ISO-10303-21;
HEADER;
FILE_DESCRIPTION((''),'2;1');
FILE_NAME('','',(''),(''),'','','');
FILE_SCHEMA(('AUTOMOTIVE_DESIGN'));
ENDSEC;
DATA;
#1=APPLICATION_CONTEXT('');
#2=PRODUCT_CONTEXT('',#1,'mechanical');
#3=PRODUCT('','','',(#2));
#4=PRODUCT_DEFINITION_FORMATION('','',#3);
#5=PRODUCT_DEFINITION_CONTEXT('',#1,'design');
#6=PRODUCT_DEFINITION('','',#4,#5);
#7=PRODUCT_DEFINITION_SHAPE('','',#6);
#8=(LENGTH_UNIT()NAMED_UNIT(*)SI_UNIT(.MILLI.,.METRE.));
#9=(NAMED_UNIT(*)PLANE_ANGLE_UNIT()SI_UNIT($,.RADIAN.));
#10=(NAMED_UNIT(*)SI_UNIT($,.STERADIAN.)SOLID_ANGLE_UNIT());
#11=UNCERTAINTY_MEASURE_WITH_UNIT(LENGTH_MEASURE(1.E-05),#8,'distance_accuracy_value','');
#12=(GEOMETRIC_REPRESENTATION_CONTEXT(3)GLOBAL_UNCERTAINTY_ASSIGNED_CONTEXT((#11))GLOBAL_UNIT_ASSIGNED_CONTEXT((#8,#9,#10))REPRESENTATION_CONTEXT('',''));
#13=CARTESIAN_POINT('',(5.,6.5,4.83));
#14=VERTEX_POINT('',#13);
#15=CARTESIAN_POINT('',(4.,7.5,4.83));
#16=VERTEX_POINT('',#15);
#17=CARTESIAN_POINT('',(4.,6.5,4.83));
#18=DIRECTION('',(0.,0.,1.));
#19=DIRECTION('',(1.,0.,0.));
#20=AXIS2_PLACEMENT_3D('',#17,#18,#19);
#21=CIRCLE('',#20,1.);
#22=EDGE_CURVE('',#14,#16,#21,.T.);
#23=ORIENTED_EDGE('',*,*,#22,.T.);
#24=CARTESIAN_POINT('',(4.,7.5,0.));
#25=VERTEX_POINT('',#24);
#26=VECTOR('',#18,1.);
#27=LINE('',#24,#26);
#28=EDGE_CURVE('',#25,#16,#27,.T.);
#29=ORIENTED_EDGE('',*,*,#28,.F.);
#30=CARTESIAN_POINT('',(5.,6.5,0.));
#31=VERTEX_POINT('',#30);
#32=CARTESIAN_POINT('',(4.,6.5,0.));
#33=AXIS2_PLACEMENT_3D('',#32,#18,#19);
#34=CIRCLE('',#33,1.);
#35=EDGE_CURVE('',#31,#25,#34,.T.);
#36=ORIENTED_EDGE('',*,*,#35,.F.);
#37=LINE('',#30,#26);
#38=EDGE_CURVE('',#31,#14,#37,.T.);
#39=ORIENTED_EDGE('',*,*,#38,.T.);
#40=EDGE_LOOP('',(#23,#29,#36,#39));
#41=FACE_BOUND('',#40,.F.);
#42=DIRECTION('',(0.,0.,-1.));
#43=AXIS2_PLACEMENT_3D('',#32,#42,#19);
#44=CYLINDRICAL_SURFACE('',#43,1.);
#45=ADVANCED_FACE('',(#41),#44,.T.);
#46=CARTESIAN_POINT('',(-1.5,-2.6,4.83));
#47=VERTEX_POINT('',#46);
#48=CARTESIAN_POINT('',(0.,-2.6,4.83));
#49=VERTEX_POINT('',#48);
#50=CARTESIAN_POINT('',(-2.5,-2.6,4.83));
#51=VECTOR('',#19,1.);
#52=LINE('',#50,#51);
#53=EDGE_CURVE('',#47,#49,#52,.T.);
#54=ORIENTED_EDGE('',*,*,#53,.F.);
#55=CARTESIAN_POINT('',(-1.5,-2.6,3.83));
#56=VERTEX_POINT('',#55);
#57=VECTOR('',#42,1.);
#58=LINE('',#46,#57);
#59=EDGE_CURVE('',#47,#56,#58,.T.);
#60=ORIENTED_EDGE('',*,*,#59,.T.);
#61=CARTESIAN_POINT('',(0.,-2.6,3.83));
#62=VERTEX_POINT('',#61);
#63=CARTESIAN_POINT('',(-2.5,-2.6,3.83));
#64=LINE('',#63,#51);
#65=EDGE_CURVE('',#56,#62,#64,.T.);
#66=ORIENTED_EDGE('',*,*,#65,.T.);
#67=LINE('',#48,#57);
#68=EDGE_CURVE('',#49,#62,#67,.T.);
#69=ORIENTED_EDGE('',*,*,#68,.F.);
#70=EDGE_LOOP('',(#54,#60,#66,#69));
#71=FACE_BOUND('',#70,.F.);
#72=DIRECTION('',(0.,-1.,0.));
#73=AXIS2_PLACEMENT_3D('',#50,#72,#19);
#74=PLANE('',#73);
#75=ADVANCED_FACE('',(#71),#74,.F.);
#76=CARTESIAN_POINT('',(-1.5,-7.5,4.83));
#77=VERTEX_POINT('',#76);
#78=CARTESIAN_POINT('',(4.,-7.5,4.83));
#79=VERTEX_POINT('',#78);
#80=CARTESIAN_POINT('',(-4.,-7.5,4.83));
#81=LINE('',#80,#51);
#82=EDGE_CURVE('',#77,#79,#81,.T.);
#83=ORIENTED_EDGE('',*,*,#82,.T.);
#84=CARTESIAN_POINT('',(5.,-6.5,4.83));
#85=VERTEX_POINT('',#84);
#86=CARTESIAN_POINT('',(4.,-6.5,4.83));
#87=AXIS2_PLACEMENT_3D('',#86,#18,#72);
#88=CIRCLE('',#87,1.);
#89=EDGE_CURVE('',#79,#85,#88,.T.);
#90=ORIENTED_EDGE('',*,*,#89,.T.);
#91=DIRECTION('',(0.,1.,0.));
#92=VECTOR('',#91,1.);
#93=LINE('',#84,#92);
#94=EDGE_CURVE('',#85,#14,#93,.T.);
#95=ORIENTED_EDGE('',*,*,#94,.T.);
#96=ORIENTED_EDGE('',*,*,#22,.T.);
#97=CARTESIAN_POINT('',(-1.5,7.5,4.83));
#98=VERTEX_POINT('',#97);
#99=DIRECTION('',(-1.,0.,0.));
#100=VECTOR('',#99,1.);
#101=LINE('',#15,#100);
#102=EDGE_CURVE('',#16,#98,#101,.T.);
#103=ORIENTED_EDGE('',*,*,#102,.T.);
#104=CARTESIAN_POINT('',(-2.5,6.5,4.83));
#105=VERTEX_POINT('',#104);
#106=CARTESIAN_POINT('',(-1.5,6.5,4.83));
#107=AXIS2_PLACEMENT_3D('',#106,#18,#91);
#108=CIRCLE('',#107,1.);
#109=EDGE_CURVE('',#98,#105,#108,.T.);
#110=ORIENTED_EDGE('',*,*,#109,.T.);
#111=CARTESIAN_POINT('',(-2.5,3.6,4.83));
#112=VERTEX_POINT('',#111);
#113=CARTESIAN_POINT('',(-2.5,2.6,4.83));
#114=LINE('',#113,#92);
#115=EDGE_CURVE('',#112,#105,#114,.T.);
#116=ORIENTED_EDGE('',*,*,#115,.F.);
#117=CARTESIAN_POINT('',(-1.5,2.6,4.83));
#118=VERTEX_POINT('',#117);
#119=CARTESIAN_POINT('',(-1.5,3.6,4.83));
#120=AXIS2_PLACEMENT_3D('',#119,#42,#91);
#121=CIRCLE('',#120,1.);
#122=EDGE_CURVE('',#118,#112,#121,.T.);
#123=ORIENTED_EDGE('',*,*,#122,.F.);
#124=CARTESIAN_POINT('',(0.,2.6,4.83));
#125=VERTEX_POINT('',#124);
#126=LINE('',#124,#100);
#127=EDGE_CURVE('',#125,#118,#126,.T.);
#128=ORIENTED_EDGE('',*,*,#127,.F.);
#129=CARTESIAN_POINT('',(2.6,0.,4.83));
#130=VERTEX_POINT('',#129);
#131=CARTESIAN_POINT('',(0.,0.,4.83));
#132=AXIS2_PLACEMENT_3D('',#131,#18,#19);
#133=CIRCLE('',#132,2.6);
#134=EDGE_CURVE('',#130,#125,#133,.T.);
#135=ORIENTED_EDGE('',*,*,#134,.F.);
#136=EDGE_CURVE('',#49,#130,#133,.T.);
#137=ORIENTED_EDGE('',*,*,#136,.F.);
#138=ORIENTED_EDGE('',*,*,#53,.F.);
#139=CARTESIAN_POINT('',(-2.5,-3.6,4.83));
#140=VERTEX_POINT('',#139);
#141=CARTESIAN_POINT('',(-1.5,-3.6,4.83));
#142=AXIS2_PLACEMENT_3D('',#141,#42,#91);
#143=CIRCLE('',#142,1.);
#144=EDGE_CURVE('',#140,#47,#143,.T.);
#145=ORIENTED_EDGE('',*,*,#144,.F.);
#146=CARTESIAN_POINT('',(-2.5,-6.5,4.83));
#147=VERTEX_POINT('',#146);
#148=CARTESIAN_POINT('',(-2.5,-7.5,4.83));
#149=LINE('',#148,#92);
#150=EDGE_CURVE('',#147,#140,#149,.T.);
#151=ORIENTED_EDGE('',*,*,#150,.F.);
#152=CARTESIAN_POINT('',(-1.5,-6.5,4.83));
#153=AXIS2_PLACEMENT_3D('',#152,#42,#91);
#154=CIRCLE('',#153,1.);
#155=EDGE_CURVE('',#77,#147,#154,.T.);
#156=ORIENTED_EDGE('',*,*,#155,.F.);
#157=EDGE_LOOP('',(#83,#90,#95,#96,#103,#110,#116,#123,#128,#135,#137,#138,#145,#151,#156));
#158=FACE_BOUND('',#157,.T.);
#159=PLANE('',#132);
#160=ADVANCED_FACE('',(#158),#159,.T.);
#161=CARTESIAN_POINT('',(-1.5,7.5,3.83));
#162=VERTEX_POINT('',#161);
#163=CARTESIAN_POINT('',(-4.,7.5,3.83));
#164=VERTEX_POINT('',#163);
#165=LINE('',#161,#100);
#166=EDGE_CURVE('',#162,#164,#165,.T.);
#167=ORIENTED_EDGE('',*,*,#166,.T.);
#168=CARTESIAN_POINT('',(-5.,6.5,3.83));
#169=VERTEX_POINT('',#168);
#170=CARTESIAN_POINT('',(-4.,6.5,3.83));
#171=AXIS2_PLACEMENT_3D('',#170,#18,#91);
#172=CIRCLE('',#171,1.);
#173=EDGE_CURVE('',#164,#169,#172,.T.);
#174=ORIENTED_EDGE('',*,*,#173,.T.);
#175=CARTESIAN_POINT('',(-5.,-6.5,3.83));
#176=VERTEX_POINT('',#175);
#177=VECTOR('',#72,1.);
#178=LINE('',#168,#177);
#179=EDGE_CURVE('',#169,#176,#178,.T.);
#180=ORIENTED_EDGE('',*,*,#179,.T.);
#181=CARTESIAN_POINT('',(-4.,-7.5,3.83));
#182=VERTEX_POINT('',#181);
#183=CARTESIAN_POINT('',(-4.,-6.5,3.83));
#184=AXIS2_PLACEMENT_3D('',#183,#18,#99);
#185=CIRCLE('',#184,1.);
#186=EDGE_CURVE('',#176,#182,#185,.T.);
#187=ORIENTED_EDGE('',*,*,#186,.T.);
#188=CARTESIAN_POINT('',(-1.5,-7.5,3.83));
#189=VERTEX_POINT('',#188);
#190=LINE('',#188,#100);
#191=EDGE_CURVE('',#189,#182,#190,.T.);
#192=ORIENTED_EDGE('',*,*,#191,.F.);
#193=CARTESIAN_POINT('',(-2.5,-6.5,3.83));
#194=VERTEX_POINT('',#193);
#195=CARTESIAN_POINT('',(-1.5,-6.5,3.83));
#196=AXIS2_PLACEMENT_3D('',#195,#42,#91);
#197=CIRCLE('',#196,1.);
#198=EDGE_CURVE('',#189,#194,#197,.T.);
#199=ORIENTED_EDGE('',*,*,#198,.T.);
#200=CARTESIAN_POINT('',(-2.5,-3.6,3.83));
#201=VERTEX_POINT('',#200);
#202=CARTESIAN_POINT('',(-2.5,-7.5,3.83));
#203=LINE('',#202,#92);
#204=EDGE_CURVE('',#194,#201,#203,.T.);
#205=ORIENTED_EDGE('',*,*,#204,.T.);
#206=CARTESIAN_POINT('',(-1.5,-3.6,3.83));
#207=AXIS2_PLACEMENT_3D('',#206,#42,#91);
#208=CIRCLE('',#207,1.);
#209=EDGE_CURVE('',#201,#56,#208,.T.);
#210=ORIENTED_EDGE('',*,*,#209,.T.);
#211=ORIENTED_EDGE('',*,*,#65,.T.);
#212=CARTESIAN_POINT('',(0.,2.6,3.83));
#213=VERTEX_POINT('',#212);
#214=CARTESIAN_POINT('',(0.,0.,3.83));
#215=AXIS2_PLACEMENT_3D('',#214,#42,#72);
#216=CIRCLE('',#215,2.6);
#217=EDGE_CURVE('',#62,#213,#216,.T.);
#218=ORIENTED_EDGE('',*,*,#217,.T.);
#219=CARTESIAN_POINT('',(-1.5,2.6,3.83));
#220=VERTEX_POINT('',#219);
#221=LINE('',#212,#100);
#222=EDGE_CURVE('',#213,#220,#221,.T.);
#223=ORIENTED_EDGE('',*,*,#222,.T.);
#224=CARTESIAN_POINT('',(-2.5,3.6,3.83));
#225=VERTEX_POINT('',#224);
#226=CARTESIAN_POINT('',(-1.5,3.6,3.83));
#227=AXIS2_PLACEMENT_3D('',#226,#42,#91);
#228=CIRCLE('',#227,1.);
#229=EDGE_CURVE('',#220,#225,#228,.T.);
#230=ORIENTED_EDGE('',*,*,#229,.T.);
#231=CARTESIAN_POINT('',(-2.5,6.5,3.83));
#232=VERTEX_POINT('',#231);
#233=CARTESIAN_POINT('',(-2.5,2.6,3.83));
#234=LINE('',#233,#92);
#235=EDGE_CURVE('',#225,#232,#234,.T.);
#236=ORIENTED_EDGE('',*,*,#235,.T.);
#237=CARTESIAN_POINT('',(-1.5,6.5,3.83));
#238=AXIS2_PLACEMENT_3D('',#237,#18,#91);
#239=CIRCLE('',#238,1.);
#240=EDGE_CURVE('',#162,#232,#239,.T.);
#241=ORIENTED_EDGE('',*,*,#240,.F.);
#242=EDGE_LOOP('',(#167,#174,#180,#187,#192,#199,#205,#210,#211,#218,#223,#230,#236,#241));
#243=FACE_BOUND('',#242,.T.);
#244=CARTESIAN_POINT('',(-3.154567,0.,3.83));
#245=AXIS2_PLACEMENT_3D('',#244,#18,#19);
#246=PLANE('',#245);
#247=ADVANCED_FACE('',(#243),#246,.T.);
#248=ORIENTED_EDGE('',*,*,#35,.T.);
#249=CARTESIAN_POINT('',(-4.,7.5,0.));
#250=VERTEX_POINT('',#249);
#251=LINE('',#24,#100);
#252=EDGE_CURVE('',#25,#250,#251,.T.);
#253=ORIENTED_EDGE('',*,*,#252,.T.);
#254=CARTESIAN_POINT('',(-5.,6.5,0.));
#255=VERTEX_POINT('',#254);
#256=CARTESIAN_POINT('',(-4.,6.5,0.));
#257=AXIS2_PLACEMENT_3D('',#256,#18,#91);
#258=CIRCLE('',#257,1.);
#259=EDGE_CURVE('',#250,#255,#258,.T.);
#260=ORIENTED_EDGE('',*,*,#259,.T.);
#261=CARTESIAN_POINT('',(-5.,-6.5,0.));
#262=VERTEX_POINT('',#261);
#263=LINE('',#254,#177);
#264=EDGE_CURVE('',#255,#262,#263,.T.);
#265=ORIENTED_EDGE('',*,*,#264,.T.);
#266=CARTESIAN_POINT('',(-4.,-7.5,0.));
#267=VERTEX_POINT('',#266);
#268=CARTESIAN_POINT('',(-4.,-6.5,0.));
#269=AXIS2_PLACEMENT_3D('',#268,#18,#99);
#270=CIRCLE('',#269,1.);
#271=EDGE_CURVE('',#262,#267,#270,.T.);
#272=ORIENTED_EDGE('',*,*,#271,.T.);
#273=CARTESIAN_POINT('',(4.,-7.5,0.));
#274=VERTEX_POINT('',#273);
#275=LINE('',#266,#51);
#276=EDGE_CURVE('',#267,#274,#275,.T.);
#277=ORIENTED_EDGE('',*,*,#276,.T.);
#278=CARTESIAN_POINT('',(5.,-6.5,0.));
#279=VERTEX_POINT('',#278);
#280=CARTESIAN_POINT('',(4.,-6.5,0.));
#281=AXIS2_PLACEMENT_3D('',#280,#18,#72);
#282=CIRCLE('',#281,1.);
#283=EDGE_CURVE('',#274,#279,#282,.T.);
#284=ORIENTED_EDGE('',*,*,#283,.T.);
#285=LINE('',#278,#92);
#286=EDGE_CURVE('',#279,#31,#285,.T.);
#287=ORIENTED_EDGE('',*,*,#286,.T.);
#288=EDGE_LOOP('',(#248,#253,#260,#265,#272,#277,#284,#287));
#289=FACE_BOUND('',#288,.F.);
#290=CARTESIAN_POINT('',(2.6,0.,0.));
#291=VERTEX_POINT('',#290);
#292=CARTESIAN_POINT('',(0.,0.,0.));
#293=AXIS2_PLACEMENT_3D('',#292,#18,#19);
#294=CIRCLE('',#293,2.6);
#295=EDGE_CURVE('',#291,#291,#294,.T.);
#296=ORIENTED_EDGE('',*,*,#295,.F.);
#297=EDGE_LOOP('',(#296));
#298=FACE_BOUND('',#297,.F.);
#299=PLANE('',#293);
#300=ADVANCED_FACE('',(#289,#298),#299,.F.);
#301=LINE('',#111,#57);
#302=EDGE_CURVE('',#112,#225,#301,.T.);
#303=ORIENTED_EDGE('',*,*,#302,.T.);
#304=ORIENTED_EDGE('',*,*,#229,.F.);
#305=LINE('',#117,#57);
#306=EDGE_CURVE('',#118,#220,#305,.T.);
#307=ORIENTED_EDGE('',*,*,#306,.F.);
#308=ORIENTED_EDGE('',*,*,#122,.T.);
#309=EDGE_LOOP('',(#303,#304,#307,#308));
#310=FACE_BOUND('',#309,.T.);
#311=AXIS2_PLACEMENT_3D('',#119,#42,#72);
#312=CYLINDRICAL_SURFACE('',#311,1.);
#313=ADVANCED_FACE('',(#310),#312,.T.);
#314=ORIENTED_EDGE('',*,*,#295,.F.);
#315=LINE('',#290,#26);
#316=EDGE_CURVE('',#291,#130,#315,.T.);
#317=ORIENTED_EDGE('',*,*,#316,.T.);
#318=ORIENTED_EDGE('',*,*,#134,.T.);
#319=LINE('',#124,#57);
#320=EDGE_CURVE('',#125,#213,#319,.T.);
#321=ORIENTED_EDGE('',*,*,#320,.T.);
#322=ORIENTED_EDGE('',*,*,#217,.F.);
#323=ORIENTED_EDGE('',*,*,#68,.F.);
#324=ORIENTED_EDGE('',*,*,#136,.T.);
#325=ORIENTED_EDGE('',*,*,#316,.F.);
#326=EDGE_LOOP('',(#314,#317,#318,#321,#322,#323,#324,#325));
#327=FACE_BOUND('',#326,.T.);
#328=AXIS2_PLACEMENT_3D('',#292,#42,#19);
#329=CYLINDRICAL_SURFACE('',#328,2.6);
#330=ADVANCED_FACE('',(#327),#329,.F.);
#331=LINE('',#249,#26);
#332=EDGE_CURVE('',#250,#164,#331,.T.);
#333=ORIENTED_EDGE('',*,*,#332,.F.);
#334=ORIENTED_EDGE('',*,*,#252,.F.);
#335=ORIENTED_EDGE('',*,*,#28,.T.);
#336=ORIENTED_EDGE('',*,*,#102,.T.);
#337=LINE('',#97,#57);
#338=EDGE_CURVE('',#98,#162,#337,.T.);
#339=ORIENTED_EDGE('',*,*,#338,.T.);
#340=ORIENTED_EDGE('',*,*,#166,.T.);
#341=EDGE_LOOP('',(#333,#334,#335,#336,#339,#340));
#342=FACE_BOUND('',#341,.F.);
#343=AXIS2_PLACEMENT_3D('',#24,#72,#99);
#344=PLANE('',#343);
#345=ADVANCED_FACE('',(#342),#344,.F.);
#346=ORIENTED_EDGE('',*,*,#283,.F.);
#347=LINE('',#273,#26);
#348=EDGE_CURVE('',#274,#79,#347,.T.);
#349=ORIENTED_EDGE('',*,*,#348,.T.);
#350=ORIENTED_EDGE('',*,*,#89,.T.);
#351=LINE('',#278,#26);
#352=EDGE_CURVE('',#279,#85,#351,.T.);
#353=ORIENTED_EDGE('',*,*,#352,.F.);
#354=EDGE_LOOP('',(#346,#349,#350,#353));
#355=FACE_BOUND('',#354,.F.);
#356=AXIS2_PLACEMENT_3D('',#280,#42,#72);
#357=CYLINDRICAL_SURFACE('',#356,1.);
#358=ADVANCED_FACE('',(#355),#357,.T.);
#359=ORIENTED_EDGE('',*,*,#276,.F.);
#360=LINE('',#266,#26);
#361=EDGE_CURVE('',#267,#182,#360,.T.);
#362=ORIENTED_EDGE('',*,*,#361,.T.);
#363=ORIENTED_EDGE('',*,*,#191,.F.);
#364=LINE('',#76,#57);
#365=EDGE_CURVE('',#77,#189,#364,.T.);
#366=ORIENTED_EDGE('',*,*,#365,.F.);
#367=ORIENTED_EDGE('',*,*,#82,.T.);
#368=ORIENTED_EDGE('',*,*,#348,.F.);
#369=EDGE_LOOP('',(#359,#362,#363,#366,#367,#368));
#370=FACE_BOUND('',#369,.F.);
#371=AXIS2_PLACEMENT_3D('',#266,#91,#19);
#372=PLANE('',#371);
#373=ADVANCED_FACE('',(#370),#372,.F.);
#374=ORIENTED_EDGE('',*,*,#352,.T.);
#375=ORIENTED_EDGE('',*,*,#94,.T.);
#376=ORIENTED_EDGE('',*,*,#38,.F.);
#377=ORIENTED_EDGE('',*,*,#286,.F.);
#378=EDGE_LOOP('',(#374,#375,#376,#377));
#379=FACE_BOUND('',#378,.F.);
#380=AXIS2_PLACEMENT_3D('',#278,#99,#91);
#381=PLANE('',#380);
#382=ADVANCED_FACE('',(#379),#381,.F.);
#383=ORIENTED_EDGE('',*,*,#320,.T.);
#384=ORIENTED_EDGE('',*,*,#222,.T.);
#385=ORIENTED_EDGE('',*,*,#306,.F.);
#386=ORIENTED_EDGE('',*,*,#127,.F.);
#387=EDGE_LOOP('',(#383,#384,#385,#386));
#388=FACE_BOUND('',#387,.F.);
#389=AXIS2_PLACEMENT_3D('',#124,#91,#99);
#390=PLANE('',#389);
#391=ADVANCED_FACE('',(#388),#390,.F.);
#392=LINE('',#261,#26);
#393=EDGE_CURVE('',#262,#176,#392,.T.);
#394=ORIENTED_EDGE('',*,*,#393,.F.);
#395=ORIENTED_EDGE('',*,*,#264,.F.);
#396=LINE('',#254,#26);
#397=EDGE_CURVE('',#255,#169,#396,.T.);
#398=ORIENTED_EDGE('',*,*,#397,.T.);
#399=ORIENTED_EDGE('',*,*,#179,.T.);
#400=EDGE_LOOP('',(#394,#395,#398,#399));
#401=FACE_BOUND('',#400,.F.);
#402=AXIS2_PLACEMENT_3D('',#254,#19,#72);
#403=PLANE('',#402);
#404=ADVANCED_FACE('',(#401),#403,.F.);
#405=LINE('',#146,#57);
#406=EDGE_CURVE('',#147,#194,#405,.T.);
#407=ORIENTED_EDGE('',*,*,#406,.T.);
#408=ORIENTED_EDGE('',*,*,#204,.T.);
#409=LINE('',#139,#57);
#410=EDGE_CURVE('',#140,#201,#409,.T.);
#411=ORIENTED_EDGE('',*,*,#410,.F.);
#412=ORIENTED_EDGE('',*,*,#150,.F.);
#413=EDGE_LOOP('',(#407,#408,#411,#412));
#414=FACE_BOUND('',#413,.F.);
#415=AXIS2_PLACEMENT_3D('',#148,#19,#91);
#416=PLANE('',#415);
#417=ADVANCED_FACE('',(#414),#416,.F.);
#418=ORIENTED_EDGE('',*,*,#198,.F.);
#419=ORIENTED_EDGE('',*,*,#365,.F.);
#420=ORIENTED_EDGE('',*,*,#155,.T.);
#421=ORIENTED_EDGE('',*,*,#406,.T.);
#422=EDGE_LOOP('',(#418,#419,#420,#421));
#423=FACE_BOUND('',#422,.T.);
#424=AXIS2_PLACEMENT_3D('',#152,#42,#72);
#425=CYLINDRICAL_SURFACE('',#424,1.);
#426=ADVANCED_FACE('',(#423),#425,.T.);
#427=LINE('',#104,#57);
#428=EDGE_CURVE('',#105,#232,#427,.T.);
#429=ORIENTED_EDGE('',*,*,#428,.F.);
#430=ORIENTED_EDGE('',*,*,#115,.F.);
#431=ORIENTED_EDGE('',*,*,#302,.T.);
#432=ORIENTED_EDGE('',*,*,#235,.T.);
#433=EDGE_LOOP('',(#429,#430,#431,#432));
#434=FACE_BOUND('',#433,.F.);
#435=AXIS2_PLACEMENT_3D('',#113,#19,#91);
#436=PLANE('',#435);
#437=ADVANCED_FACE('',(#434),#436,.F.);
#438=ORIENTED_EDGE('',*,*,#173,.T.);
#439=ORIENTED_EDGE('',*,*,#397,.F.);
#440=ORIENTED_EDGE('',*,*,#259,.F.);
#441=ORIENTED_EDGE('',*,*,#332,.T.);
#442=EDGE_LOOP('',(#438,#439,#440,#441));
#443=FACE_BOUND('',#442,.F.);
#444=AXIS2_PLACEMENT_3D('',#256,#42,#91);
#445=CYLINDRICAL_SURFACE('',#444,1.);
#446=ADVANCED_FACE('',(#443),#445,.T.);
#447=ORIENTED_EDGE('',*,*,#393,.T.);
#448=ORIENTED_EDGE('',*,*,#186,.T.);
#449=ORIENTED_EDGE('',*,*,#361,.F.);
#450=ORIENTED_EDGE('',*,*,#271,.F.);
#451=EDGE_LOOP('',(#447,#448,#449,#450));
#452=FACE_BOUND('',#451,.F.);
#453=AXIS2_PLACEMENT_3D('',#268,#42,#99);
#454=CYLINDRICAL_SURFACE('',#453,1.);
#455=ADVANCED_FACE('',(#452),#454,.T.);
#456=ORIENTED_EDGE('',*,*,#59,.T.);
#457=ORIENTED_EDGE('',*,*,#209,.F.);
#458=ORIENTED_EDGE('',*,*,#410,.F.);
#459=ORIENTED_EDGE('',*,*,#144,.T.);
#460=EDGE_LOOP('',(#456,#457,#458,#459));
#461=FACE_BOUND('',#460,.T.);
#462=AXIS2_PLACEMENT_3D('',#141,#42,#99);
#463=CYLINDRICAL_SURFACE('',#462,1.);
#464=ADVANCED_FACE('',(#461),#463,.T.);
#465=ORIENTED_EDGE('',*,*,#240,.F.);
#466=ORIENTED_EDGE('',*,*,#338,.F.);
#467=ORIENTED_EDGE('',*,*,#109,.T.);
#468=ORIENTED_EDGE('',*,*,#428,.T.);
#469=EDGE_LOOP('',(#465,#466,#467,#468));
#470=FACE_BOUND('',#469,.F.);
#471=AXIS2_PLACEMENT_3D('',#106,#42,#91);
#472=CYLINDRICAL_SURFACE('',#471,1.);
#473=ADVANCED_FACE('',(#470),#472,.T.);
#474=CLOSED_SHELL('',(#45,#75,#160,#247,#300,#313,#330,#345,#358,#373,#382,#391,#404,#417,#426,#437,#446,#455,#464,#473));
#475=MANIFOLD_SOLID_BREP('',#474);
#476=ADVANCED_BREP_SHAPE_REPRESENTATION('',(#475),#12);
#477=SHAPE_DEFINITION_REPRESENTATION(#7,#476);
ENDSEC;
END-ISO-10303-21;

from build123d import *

# Parameters (mm, degrees)
F0_R     = 2.6
F1_DEPTH = 4.83
F3_DEPTH = 1
F4_R     = 1


with BuildPart() as f1:
    # F0 (on Top) → F1 (new body)
    with BuildSketch(Plane.XY):
        with BuildLine():
            Line((-4, -7.5), (4, -7.5))
            ThreePointArc((4, -7.5), (4.7071067812, -7.2071067812), (5, -6.5))
            Line((5, -6.5), (5, 6.5))
            ThreePointArc((5, 6.5), (4.7071067812, 7.2071067812), (4, 7.5))
            Line((4, 7.5), (-4, 7.5))
            ThreePointArc((-4, 7.5), (-4.7071067812, 7.2071067812), (-5, 6.5))
            Line((-5, 6.5), (-5, -6.5))
            ThreePointArc((-5, -6.5), (-4.7071067812, -7.2071067812), (-4, -7.5))
        make_face()
        Circle(F0_R, mode=Mode.SUBTRACT)
    extrude(amount=F1_DEPTH)

    # F2 (on face) → F3 (cut)
    with BuildSketch(Plane.XY.offset(4.83)):
        with BuildLine():
            Line((-2.5, 2.6), (-2.5, 7.5))
            Line((-2.5, 7.5), (-4, 7.5))
            ThreePointArc((-4, 7.5), (-4.7071067812, 7.2071067812), (-5, 6.5))
            Line((-5, 6.5), (-5, -6.5))
            ThreePointArc((-5, -6.5), (-4.7071067812, -7.2071067812), (-4, -7.5))
            Line((-4, -7.5), (-2.5, -7.5))
            Line((-2.5, -7.5), (-2.5, -2.6))
            Line((-2.5, -2.6), (0, -2.6))
            ThreePointArc((0, -2.6), (-2.6, 0), (0, 2.6))
            Line((0, 2.6), (-2.5, 2.6))
        make_face()
    extrude(amount=-F3_DEPTH, mode=Mode.SUBTRACT)

    # F4
    f4_edges = [f1.edges().sort_by_distance(p)[0] for p in [
        (-2.5, -7.5, 4.33),
        (-2.5, 2.6, 4.33),
        (-2.5, -2.6, 4.33),
        (-2.5, 7.5, 4.33),
    ]]
    fillet(f4_edges, radius=F4_R)


solid = f1.part
